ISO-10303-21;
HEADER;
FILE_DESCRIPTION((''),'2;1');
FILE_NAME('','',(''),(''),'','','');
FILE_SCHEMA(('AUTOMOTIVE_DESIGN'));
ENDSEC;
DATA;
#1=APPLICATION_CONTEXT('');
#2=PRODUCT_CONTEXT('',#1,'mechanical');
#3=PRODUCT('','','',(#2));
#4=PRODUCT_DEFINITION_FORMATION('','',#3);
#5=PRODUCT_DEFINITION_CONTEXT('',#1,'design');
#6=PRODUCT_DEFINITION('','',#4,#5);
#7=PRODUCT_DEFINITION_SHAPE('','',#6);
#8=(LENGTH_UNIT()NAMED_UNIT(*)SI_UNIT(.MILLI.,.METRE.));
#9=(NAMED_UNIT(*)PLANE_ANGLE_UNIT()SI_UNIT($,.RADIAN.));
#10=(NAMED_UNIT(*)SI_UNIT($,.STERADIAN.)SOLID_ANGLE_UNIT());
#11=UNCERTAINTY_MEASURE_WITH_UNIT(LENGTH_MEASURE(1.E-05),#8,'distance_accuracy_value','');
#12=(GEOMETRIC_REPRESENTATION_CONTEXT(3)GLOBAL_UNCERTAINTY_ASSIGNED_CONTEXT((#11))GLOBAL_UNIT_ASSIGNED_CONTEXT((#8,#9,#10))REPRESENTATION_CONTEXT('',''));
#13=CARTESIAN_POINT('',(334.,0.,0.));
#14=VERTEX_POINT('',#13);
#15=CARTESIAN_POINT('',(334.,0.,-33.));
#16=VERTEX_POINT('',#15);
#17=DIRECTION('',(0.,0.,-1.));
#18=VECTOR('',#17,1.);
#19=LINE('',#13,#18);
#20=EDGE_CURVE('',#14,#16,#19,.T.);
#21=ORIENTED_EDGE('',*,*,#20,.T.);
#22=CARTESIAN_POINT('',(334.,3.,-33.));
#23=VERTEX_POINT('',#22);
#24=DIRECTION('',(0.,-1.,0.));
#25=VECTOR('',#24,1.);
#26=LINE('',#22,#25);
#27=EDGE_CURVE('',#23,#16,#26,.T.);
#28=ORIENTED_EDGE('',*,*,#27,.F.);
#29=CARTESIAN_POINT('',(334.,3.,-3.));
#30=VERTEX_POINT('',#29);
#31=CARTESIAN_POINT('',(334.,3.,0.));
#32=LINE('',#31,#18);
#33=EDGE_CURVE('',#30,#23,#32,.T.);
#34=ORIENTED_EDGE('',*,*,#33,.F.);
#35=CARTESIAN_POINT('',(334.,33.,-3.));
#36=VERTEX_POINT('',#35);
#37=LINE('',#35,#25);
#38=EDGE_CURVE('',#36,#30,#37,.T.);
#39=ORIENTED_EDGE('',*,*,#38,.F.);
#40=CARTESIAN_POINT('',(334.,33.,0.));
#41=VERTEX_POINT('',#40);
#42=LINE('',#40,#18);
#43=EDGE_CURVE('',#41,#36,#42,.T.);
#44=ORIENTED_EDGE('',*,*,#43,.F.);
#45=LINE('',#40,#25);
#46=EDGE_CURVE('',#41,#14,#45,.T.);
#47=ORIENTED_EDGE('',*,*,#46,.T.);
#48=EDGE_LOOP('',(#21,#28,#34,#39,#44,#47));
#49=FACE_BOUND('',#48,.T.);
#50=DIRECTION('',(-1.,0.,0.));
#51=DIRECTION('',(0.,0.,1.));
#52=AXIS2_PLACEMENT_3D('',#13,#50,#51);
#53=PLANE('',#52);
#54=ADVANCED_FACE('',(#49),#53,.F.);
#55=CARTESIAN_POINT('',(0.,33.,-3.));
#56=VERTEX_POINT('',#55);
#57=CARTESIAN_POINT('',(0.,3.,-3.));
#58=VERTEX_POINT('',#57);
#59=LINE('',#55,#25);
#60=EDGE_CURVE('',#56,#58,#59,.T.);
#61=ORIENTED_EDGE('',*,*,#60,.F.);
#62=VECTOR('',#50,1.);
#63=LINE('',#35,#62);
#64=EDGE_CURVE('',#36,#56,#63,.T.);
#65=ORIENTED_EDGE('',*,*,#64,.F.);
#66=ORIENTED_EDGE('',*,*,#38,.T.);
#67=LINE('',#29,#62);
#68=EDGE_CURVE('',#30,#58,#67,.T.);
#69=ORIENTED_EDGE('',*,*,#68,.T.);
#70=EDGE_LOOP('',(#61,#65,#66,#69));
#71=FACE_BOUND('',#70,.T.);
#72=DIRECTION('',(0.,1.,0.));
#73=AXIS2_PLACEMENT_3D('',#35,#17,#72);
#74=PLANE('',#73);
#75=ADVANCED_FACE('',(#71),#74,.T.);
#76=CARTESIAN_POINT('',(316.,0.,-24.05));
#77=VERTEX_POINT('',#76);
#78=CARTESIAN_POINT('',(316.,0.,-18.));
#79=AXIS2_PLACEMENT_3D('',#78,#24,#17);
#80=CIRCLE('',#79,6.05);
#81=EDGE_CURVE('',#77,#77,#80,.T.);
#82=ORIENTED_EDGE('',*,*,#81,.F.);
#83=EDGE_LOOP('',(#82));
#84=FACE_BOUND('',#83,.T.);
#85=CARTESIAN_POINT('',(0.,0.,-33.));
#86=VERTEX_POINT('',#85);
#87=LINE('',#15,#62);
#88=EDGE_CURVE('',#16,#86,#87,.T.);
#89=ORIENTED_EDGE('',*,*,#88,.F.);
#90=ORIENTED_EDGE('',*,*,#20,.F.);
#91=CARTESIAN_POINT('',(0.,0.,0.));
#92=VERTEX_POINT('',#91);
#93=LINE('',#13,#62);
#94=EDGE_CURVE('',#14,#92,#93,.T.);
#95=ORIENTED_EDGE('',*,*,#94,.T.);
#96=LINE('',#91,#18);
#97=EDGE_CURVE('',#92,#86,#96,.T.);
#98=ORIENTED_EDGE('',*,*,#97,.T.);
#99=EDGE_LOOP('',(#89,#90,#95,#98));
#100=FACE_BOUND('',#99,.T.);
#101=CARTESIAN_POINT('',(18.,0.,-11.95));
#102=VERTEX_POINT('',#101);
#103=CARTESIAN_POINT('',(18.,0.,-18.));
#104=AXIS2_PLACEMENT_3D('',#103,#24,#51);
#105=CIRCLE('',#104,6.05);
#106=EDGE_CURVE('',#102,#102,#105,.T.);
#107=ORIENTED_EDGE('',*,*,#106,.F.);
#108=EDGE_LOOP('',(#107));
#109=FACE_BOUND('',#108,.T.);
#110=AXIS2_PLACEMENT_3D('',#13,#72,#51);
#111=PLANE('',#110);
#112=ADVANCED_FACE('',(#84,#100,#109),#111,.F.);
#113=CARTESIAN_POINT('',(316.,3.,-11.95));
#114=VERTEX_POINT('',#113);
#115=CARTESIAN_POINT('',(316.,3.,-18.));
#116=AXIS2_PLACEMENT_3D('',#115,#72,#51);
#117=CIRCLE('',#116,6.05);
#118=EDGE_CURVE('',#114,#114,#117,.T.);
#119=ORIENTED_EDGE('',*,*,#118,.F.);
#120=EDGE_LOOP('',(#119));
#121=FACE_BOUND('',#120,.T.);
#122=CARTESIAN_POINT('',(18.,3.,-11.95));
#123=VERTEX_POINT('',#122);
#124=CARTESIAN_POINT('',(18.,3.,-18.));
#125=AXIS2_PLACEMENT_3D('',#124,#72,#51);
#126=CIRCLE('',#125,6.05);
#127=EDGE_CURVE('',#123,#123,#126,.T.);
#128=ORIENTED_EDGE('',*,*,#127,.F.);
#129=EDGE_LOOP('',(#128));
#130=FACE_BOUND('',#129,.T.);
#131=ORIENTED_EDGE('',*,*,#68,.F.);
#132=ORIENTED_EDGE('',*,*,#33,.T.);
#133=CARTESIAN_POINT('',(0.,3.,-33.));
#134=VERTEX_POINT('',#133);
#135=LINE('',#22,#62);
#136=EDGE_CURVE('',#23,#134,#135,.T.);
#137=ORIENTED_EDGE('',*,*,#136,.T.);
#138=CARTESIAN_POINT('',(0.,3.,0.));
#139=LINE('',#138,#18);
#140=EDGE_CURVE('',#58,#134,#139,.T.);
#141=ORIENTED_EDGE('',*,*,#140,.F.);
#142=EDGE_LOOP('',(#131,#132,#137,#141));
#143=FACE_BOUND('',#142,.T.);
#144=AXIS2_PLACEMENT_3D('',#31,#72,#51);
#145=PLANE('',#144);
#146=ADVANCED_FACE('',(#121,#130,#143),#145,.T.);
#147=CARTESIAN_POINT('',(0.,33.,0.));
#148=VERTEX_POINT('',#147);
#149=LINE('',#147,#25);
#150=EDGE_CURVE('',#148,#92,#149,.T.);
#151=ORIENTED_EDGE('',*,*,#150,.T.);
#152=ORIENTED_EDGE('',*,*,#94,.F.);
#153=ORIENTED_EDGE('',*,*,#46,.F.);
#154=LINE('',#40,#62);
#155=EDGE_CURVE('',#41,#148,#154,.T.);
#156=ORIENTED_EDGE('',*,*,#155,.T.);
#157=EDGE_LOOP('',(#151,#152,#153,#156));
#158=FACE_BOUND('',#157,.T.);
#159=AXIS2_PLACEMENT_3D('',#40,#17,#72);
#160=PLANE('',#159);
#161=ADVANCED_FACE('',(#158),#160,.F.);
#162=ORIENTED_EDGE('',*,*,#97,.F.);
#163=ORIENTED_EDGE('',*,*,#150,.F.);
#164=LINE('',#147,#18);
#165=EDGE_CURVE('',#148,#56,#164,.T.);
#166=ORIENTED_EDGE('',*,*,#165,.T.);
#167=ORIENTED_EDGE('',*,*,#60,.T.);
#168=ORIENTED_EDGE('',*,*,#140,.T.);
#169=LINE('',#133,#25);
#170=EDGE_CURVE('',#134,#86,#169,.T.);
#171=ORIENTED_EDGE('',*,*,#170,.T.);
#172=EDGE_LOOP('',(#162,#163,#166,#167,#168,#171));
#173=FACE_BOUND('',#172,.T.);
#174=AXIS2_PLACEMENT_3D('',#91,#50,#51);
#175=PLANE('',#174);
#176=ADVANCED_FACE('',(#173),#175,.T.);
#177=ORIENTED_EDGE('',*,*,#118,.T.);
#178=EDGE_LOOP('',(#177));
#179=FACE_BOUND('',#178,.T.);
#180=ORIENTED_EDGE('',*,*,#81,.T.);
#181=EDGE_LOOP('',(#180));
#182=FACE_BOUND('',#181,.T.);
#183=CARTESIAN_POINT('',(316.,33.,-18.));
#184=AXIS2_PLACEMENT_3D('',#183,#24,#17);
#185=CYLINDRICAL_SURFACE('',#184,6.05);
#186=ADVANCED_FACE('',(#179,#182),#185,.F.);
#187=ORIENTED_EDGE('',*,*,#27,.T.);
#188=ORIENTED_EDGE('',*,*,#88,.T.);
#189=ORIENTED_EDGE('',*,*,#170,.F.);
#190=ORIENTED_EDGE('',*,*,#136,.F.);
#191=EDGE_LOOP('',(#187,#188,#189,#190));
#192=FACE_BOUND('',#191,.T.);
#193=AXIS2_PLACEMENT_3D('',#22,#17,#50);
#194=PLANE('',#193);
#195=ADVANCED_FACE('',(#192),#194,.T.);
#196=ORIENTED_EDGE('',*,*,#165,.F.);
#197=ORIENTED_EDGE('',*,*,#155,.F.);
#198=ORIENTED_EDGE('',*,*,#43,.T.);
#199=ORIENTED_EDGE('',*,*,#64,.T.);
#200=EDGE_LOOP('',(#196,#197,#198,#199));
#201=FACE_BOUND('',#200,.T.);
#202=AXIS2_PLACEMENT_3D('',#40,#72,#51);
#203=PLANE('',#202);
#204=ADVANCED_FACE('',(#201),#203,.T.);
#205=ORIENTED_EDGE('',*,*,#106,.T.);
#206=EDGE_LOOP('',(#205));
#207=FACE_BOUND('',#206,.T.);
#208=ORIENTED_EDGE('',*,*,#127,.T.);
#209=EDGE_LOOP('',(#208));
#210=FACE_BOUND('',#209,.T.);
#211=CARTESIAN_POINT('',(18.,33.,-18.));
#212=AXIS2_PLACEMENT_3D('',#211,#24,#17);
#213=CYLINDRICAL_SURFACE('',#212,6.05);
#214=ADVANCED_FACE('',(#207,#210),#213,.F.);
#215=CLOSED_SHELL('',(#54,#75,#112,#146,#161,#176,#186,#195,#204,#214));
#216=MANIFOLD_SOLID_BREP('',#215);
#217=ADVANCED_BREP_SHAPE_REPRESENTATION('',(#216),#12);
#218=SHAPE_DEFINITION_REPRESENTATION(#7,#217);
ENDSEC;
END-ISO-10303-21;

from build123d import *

# Parameters (mm, degrees)
EXTRUDE_1_DEPTH     = 334
SKETCH_2_R          = 6.05
CUT_EXTRUDE_1_DEPTH = 34


with BuildPart() as part:
    # Эскиз1 → Вытянуть-Тонкостенный1 (new body)
    with BuildSketch(Plane(origin=(0, 0, 0), x_dir=(0, 0, -1), z_dir=(1, 0, 0))):
        Polygon((0, 33), (0, 0), (33, 0), (33, 3), (3, 3), (3, 33), align=None)
    extrude(amount=EXTRUDE_1_DEPTH)

    # Эскиз2 → Вырез-Вытянуть1 (cut, through all)
    with BuildSketch(Plane.XZ):
        with Locations((316, -18)):
            Circle(SKETCH_2_R)
        with Locations((18, -18)):
            Circle(SKETCH_2_R)
    extrude(amount=-CUT_EXTRUDE_1_DEPTH, mode=Mode.SUBTRACT)


solid = part.part
